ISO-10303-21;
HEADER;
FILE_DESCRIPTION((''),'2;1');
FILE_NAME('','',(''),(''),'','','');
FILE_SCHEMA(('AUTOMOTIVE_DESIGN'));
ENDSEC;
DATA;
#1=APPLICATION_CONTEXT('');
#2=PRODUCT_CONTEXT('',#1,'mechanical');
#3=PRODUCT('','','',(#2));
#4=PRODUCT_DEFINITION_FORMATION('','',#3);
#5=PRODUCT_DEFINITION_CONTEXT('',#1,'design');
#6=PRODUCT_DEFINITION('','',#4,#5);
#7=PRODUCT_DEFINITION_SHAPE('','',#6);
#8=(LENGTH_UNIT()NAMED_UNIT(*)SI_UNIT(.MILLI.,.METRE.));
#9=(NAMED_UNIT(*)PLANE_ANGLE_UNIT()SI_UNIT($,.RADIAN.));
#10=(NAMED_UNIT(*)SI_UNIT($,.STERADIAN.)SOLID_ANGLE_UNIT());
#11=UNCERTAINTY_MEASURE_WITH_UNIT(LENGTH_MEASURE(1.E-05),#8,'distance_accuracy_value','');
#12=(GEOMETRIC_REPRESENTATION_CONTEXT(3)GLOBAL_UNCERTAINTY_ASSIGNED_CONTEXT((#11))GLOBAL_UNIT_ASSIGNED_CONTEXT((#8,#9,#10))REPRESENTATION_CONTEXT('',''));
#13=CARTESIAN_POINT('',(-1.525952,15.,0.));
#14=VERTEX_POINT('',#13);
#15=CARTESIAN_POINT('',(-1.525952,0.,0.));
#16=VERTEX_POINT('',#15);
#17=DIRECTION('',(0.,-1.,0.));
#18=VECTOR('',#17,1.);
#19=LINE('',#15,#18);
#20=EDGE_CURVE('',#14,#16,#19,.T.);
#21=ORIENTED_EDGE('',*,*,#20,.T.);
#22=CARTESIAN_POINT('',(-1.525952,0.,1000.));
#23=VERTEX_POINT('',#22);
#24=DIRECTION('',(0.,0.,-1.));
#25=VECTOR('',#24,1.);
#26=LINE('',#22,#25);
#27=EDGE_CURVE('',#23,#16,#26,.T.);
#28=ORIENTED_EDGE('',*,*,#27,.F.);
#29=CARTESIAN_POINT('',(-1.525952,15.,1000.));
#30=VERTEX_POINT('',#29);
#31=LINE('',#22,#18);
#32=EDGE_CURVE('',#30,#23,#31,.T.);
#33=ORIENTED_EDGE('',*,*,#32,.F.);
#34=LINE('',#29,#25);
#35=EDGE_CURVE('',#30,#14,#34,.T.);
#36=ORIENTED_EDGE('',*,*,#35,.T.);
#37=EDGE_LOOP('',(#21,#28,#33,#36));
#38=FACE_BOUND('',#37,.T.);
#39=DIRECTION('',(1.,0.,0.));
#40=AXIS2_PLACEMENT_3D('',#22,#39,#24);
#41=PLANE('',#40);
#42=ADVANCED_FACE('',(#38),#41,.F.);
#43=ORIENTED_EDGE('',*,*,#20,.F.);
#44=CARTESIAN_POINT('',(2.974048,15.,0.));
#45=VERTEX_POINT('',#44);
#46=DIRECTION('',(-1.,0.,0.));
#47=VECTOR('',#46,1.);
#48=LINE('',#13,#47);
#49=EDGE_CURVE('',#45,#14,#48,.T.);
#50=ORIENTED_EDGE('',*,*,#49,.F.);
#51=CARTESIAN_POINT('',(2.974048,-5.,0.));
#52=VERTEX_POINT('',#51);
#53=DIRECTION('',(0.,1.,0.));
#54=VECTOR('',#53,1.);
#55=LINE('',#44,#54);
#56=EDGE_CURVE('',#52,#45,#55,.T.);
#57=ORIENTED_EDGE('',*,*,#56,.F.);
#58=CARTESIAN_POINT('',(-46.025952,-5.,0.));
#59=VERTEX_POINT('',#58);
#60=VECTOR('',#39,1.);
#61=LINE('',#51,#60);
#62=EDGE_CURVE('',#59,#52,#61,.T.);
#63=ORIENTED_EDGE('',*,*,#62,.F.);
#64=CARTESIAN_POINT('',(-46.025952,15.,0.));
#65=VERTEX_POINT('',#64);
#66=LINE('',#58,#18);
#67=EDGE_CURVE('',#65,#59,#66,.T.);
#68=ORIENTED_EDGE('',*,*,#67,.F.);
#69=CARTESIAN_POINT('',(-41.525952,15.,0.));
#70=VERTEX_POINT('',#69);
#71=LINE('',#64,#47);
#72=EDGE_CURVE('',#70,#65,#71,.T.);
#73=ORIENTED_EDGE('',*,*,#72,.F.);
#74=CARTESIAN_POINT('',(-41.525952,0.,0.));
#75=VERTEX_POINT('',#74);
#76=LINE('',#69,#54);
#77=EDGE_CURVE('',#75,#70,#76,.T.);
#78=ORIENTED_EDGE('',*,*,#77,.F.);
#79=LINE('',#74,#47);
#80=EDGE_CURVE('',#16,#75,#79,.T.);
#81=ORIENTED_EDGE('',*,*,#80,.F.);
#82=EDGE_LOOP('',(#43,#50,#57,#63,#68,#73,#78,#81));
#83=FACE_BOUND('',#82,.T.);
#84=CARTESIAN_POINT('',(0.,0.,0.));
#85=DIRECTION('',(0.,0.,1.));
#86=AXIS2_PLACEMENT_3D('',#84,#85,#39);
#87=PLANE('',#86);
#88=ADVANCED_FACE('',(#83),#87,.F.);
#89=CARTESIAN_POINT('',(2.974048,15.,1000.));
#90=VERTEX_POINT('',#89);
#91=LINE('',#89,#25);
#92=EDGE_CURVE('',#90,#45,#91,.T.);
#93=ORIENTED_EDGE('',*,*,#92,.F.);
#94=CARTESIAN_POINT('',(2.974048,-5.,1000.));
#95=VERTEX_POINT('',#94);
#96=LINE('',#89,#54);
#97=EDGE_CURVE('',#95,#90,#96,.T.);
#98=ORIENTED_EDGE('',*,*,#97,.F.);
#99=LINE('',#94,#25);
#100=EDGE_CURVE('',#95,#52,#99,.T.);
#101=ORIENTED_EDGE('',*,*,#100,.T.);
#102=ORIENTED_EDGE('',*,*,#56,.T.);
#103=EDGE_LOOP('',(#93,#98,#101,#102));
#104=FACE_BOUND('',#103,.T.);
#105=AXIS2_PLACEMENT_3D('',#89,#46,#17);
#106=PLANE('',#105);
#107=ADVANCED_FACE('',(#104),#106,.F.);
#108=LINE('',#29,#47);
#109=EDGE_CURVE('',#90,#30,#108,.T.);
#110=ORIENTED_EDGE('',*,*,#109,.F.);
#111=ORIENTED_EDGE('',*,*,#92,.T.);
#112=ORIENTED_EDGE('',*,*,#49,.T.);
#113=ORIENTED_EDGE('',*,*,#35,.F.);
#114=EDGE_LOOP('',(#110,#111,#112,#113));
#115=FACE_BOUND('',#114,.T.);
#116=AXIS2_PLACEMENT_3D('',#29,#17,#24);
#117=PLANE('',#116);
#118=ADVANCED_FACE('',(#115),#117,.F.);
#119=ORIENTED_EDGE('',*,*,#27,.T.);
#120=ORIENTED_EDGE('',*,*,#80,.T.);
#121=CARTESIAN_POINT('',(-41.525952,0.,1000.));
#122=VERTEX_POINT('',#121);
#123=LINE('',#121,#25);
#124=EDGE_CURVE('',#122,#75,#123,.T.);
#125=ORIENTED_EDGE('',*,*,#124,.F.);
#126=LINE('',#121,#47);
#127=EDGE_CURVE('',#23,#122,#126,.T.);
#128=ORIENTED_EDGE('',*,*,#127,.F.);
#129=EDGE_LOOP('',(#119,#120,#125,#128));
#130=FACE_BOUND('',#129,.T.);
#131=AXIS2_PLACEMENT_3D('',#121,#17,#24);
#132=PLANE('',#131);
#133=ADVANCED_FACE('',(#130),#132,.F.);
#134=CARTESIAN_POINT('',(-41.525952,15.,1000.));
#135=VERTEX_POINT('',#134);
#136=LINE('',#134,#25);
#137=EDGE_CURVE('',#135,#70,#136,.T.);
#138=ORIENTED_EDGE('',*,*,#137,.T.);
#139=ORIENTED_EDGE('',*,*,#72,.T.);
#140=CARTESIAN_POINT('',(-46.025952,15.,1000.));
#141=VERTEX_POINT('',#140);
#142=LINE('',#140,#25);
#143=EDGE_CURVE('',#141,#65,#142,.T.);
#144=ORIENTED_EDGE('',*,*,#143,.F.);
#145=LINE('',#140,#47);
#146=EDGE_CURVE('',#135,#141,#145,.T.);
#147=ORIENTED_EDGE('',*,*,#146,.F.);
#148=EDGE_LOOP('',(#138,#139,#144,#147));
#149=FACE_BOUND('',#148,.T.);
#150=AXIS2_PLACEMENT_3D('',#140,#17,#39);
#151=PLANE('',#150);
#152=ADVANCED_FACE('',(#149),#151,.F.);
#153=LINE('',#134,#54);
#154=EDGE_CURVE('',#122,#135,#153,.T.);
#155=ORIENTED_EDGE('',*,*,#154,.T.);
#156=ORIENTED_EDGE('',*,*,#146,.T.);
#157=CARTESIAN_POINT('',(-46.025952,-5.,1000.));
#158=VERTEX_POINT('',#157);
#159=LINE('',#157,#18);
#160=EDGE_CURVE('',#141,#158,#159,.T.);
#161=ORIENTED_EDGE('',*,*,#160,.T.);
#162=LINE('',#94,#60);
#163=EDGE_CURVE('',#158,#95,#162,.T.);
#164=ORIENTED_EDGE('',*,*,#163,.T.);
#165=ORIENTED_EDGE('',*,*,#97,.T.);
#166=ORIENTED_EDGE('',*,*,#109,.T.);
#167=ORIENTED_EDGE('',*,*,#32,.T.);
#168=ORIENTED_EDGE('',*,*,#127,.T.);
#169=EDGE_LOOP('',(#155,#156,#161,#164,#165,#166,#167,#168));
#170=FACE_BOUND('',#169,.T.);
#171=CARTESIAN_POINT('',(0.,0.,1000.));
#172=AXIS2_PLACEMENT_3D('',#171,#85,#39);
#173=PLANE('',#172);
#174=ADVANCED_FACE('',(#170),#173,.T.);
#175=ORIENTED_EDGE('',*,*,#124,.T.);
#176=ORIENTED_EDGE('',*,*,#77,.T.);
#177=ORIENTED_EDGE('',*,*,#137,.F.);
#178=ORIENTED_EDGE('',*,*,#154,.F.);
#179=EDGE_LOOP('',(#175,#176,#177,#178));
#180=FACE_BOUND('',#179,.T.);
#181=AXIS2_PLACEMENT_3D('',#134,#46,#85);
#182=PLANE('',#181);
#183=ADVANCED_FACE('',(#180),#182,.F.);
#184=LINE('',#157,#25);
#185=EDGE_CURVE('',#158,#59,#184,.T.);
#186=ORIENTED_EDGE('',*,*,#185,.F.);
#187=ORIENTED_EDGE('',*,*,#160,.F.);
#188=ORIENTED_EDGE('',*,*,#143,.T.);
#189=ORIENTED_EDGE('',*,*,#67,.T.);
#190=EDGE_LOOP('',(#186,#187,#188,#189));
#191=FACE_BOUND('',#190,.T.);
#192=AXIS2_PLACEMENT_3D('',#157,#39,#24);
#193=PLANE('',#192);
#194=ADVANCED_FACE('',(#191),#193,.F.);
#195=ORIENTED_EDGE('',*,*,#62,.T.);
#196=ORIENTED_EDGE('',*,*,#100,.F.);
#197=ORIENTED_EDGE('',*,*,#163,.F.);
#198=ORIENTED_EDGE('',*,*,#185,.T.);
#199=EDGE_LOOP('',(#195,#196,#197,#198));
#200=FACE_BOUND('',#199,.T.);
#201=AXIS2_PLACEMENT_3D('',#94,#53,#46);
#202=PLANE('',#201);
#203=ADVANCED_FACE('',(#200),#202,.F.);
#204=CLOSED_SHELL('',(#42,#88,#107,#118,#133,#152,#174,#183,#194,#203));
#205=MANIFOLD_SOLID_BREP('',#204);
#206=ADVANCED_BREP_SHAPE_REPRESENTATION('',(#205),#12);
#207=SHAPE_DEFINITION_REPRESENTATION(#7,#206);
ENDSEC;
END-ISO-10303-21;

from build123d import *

# Parameters (mm, degrees)
BOSS_EXTRUDE1_DEPTH = 1000


with BuildPart() as part:
    # Sketch1 → Boss-Extrude1 (new body)
    with BuildSketch(Plane.XY):
        Polygon((-41.525952088, 0), (-1.525952088, 0), (-1.525952088, 15), (2.974047912, 15), (2.974047912, -5), (-46.025952088, -5), (-46.025952088, 15), (-41.525952088, 15), align=None)
    extrude(amount=BOSS_EXTRUDE1_DEPTH)


solid = part.part
